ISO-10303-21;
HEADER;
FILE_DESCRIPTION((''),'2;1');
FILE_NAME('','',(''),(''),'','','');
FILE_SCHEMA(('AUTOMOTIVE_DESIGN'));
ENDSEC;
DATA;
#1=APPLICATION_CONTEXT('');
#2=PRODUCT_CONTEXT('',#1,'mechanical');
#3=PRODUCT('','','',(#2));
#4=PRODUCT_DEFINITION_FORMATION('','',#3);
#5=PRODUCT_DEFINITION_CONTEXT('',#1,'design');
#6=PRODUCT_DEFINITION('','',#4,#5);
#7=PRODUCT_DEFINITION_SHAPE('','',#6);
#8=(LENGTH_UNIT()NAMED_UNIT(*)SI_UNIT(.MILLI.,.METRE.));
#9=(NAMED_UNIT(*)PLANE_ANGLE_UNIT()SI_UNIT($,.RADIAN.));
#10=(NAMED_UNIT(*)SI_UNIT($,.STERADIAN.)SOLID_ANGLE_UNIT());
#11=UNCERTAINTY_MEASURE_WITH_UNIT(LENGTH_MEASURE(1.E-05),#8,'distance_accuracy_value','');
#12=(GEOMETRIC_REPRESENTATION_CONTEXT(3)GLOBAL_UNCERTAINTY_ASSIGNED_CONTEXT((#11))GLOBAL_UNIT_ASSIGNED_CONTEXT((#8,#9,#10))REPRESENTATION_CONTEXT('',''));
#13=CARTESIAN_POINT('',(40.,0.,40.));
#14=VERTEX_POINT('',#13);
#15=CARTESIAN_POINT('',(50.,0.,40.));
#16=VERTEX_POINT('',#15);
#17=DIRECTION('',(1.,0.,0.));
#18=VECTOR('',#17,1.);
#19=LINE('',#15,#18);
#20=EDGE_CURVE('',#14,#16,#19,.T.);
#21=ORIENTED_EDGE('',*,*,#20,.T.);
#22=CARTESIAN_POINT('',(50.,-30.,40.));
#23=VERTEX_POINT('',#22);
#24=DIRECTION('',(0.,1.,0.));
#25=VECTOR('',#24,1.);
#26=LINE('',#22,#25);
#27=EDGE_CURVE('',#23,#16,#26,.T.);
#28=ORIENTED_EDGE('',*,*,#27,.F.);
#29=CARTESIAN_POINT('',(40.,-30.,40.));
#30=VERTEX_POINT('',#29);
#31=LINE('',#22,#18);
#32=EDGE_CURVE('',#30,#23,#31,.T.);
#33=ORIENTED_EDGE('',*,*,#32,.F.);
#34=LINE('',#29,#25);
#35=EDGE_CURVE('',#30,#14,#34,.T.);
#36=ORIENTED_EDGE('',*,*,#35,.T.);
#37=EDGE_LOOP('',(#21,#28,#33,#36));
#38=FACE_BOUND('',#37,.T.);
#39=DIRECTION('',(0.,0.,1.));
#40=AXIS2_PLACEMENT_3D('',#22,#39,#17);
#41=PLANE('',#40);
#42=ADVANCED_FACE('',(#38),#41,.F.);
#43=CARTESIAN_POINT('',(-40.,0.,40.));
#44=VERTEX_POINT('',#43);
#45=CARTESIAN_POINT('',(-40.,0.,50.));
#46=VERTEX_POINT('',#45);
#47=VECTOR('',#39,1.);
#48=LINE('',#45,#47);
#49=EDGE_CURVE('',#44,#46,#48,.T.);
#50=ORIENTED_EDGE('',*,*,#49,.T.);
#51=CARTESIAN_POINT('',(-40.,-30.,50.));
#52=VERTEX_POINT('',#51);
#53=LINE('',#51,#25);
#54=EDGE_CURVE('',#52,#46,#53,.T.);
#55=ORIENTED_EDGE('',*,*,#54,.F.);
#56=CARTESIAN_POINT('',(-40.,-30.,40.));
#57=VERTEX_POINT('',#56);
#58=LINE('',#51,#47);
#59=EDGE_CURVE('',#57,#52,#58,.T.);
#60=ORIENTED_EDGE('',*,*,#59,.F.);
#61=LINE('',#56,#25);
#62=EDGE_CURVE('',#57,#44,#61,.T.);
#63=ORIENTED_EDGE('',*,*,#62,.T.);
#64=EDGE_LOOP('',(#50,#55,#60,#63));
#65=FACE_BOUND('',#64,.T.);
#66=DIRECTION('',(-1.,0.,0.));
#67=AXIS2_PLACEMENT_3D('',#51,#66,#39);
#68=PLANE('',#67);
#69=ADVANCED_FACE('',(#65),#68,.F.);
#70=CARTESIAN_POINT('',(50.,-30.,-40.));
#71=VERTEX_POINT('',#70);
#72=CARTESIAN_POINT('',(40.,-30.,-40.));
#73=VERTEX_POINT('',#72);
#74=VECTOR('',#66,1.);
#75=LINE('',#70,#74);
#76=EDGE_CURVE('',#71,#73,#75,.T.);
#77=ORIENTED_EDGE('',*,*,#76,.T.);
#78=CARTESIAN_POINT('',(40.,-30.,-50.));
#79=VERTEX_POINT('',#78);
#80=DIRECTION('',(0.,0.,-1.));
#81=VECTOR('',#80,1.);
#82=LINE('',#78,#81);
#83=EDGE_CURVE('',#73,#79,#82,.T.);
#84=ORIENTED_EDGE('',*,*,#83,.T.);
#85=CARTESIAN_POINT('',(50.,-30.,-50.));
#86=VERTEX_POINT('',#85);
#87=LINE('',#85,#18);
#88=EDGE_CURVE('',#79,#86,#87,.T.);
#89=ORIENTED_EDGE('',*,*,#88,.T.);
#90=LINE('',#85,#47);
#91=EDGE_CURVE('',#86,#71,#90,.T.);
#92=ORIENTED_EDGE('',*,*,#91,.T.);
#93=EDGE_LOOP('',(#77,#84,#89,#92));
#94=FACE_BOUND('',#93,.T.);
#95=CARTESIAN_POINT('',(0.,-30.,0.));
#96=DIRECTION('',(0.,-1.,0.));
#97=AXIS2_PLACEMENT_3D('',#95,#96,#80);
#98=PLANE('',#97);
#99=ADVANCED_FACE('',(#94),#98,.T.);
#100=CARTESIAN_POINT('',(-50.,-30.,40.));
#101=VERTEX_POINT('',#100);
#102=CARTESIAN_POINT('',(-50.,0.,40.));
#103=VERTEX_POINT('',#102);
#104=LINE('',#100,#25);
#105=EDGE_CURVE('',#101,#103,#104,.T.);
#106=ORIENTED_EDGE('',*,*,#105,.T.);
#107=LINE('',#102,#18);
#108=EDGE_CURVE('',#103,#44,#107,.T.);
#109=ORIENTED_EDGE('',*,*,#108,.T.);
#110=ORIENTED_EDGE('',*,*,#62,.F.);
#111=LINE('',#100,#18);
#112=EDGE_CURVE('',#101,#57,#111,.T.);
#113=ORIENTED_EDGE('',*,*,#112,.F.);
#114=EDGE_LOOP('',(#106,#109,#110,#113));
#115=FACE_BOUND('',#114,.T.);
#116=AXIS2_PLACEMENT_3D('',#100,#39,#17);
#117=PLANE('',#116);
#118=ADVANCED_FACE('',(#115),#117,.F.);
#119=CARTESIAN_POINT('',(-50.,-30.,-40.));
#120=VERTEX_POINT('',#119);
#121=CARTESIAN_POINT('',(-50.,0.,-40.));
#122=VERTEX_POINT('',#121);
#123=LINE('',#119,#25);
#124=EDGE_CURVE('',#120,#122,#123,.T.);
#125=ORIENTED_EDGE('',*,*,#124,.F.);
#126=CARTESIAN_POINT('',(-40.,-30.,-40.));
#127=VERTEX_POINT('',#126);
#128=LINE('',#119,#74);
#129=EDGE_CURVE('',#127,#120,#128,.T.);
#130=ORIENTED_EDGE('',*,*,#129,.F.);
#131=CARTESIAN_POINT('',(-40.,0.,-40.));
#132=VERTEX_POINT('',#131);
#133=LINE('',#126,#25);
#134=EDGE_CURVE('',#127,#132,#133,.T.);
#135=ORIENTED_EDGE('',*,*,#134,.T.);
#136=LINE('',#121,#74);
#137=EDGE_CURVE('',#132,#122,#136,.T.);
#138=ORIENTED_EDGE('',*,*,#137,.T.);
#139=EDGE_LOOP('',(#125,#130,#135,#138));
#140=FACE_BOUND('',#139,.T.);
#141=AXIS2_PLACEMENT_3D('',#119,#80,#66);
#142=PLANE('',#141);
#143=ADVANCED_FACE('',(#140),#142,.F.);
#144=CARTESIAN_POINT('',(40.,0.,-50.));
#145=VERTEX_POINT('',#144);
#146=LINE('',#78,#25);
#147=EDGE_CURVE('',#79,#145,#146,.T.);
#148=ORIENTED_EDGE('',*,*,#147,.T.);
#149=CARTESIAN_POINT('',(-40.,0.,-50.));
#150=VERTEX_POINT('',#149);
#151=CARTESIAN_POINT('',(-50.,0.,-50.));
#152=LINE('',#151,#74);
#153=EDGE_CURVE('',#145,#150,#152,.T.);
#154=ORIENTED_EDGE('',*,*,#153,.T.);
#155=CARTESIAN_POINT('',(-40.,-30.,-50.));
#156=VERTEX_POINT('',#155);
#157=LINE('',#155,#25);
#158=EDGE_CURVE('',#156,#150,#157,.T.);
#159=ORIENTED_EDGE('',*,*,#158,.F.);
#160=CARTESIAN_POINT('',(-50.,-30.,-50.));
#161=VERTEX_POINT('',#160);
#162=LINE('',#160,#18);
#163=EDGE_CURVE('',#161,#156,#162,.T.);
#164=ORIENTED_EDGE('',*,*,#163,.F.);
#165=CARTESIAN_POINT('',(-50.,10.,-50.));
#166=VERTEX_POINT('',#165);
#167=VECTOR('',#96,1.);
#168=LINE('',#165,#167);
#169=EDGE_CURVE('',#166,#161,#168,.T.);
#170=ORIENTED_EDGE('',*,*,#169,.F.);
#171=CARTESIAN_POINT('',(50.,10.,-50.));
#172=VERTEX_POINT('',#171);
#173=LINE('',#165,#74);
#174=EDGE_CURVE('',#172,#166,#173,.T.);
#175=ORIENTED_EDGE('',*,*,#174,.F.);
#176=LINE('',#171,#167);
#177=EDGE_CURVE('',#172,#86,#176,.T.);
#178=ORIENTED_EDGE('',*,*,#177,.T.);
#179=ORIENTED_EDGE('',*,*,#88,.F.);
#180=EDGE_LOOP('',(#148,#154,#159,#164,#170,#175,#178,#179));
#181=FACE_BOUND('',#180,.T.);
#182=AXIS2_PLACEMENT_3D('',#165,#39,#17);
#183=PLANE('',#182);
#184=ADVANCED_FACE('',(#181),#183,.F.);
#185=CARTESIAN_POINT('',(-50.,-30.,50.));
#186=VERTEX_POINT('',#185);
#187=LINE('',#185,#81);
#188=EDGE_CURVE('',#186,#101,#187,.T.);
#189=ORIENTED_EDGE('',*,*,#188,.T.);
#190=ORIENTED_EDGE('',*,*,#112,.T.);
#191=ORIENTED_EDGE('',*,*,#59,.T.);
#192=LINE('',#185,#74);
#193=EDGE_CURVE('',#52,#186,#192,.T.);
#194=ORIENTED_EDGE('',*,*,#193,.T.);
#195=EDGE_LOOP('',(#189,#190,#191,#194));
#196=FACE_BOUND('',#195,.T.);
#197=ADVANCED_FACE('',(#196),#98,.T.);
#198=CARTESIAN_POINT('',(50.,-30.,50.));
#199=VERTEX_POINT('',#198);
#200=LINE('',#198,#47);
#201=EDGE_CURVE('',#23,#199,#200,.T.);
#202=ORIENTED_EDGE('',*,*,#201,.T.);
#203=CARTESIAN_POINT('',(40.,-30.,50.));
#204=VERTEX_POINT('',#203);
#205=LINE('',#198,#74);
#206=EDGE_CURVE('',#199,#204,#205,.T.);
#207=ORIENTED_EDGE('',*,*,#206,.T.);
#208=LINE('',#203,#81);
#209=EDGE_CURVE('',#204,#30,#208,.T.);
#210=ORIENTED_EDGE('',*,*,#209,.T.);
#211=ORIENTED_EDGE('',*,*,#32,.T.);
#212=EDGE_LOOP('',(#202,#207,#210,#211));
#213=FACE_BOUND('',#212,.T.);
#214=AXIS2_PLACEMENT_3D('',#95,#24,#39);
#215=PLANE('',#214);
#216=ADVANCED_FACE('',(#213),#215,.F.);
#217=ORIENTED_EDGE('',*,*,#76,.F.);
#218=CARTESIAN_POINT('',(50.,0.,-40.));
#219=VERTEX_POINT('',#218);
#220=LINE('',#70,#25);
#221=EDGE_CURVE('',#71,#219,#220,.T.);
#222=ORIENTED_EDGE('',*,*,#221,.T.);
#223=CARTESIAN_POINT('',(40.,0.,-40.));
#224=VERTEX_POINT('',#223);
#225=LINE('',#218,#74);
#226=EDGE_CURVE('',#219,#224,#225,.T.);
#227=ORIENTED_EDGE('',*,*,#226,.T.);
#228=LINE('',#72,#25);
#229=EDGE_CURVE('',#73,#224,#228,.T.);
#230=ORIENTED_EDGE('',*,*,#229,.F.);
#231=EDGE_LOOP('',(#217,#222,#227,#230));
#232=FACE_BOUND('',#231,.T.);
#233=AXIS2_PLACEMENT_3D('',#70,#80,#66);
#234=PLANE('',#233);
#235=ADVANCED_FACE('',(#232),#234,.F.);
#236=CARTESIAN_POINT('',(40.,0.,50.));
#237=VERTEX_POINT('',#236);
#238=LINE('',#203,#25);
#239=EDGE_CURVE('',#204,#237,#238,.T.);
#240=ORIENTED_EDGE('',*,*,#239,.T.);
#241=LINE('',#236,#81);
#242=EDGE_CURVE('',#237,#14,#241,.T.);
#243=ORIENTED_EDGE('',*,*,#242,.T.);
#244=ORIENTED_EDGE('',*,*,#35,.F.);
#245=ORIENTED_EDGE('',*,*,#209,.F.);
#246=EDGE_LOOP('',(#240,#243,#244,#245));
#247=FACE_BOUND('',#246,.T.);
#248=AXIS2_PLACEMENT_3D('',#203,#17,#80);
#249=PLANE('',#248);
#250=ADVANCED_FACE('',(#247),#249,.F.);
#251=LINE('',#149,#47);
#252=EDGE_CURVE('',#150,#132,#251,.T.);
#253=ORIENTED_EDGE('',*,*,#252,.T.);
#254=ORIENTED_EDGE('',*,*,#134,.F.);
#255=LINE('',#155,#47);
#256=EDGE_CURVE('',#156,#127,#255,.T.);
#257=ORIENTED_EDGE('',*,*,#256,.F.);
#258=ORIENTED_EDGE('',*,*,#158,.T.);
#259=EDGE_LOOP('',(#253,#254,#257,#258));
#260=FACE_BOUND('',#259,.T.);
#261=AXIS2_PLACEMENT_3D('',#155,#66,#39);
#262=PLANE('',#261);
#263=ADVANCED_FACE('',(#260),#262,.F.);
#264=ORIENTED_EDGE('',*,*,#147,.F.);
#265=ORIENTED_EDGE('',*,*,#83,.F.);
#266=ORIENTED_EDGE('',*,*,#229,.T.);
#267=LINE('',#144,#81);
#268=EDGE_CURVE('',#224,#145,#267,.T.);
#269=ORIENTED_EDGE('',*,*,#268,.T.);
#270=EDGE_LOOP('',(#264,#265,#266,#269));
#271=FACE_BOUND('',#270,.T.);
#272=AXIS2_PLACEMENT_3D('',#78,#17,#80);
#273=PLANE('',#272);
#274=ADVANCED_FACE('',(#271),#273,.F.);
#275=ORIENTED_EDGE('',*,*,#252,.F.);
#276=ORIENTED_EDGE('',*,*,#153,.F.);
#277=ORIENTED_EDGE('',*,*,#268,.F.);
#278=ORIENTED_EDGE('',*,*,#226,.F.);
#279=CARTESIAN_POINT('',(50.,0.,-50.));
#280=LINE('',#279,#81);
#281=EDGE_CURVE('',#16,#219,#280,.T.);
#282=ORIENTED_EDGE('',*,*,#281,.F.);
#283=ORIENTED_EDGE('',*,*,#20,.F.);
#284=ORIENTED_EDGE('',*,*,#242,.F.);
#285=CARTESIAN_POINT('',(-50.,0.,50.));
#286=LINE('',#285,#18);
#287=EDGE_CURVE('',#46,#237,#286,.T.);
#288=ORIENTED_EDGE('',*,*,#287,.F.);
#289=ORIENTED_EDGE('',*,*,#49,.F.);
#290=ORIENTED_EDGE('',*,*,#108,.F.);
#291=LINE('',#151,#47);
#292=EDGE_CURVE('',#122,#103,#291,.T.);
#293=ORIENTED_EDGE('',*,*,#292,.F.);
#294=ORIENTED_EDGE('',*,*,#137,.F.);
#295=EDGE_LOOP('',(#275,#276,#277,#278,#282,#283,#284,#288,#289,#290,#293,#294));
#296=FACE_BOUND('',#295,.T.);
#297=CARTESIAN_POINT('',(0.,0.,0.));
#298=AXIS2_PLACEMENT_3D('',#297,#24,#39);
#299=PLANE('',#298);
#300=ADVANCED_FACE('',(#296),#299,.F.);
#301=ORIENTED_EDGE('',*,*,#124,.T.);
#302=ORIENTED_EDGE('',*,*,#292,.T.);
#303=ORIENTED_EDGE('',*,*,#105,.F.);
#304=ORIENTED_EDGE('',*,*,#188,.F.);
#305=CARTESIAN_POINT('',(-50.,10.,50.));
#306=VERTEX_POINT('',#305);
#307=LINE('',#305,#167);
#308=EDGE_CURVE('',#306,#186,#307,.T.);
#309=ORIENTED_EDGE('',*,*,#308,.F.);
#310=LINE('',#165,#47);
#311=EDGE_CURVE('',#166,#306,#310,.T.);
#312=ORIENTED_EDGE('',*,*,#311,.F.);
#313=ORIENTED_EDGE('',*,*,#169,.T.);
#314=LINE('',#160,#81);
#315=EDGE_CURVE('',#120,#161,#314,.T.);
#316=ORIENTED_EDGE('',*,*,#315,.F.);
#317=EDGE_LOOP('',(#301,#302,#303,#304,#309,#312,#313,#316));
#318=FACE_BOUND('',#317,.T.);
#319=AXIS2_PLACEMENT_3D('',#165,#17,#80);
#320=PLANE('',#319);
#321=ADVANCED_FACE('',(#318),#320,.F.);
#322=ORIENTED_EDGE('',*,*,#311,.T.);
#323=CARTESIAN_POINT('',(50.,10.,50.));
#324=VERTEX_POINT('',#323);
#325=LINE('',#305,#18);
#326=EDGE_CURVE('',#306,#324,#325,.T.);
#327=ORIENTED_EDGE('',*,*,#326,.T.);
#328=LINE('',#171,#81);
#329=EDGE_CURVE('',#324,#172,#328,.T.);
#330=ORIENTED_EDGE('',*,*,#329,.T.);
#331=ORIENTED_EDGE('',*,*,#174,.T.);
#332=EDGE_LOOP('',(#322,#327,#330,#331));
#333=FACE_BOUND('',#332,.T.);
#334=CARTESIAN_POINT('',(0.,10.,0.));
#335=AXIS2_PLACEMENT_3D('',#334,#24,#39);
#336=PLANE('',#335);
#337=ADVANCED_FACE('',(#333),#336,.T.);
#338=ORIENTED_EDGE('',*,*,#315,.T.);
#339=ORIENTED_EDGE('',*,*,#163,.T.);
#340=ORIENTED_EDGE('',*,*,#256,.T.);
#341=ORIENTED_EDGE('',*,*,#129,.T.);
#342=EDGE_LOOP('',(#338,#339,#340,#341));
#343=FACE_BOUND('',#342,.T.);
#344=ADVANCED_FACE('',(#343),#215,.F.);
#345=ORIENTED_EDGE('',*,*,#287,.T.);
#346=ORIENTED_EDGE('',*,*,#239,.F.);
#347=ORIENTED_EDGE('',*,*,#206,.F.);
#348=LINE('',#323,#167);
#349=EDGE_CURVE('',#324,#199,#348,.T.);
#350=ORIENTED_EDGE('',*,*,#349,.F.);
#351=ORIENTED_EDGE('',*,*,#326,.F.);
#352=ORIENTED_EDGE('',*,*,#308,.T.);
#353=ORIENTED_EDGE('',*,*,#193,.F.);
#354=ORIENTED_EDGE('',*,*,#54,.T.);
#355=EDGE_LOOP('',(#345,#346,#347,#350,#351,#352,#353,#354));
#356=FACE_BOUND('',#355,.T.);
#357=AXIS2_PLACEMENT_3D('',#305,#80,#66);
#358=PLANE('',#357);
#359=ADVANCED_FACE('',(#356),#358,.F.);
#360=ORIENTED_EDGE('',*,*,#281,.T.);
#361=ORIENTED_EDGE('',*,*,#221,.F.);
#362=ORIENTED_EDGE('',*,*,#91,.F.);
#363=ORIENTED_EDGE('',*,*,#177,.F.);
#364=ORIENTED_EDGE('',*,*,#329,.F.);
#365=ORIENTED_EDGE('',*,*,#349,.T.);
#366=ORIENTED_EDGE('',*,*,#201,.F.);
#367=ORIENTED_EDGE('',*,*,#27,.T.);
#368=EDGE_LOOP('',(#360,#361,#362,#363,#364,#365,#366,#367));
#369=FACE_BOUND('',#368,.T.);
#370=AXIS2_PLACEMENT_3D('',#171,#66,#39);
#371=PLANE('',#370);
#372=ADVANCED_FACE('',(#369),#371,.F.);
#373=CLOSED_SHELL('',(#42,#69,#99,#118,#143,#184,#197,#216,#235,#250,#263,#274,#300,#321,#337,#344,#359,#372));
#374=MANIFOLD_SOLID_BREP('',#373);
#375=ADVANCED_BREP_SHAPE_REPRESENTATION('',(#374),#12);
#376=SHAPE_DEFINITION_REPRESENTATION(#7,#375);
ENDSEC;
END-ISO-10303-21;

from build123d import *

# Parameters (mm, degrees)
SKETCH2_W           = 100
SKETCH2_H           = 100
BOSS_EXTRUDE1_DEPTH = 10
SKETCH3_W           = 10
SKETCH3_H           = 10
BOSS_EXTRUDE2_DEPTH = 30


with BuildPart() as part:
    # Sketch2 → Boss-Extrude1 (new body)
    with BuildSketch(Plane(origin=(0, 0, 0), x_dir=(1, 0, 0), z_dir=(0, 1, 0))):
        Rectangle(SKETCH2_W, SKETCH2_H)
    extrude(amount=BOSS_EXTRUDE1_DEPTH)

    # Sketch3 → Boss-Extrude2 (add)
    with BuildSketch(Plane(origin=(0, 0, 0), x_dir=(-1, 0, 0), z_dir=(0, -1, 0))):
        with Locations((-45, -45)):
            Rectangle(SKETCH3_W, SKETCH3_H)
        with Locations((45, -45)):
            Rectangle(SKETCH3_W, SKETCH3_H)
        with Locations((45, 45)):
            Rectangle(SKETCH3_W, SKETCH3_H)
        with Locations((-45, 45)):
            Rectangle(SKETCH3_W, SKETCH3_H)
    extrude(amount=BOSS_EXTRUDE2_DEPTH)


solid = part.part
